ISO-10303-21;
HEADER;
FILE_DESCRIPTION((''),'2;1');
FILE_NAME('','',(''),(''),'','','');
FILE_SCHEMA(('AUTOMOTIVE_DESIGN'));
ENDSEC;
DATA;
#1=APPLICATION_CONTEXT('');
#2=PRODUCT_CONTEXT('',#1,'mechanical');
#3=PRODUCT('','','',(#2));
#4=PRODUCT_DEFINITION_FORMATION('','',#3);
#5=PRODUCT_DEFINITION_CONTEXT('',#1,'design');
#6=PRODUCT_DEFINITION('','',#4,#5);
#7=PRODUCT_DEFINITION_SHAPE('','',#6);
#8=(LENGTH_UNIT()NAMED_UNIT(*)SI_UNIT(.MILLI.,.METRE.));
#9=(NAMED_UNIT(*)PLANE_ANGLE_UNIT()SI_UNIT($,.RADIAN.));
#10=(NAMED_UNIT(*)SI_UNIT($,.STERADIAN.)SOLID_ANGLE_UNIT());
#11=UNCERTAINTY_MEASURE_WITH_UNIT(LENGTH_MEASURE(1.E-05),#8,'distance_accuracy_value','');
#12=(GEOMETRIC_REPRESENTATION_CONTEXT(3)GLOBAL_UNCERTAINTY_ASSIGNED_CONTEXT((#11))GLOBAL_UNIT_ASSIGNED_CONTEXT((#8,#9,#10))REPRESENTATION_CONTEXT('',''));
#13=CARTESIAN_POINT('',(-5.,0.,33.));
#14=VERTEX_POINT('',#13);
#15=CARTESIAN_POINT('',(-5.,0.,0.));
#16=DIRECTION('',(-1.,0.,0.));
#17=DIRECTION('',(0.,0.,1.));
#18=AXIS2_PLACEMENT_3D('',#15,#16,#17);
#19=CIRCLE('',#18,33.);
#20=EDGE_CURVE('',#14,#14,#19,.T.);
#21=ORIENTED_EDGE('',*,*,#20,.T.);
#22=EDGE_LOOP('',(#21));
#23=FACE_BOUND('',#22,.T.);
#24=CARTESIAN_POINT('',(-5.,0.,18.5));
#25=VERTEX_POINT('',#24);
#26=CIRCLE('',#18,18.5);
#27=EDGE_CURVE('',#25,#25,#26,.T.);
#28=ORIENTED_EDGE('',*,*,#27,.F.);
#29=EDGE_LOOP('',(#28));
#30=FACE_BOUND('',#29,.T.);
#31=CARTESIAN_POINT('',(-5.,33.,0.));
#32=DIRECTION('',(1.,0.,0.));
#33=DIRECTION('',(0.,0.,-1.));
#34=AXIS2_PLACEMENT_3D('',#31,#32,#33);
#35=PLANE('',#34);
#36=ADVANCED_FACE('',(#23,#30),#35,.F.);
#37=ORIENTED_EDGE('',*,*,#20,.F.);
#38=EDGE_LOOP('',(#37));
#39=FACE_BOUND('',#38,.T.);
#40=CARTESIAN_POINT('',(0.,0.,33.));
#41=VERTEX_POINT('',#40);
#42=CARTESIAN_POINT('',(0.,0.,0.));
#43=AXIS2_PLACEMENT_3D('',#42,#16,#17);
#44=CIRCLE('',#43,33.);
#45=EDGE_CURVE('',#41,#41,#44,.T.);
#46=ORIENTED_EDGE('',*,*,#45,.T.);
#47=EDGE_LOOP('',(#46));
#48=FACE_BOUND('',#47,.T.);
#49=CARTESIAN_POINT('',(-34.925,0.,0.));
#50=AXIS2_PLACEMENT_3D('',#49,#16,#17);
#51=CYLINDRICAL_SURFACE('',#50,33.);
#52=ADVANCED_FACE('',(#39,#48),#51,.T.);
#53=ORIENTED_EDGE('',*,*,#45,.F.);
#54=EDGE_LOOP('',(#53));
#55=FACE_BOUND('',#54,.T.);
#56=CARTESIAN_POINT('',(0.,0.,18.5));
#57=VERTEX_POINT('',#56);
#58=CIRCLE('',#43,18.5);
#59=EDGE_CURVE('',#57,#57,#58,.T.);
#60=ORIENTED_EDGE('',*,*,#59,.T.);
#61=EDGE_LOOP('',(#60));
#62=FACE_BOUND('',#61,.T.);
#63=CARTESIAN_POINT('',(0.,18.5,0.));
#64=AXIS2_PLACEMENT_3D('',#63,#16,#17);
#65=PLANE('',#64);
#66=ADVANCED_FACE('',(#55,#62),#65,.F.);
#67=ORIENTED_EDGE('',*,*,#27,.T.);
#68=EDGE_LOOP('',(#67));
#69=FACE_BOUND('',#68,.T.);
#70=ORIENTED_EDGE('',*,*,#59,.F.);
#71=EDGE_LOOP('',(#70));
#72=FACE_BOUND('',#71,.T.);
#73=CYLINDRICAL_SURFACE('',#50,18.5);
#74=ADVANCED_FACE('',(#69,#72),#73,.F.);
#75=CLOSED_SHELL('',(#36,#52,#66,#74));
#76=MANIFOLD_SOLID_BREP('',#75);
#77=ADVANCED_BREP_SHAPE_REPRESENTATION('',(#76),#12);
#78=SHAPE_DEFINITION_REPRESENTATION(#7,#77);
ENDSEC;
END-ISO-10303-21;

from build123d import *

# Parameters (mm, degrees)
SKETCH1_W = 5
SKETCH1_H = 14.5


with BuildPart() as part:
    # Sketch1 → Base-Revolve (revolve)
    with BuildSketch(Plane.XY, mode=Mode.PRIVATE) as base_revolve_sk:
        with Locations((-2.5, 25.75)):
            Rectangle(SKETCH1_W, SKETCH1_H)
    revolve(base_revolve_sk.sketch.rotate(Axis((-34.925, 0, 0), (1, 0, 0)), 90), axis=Axis((-34.925, 0, 0), (1, 0, 0)))


solid = part.part
